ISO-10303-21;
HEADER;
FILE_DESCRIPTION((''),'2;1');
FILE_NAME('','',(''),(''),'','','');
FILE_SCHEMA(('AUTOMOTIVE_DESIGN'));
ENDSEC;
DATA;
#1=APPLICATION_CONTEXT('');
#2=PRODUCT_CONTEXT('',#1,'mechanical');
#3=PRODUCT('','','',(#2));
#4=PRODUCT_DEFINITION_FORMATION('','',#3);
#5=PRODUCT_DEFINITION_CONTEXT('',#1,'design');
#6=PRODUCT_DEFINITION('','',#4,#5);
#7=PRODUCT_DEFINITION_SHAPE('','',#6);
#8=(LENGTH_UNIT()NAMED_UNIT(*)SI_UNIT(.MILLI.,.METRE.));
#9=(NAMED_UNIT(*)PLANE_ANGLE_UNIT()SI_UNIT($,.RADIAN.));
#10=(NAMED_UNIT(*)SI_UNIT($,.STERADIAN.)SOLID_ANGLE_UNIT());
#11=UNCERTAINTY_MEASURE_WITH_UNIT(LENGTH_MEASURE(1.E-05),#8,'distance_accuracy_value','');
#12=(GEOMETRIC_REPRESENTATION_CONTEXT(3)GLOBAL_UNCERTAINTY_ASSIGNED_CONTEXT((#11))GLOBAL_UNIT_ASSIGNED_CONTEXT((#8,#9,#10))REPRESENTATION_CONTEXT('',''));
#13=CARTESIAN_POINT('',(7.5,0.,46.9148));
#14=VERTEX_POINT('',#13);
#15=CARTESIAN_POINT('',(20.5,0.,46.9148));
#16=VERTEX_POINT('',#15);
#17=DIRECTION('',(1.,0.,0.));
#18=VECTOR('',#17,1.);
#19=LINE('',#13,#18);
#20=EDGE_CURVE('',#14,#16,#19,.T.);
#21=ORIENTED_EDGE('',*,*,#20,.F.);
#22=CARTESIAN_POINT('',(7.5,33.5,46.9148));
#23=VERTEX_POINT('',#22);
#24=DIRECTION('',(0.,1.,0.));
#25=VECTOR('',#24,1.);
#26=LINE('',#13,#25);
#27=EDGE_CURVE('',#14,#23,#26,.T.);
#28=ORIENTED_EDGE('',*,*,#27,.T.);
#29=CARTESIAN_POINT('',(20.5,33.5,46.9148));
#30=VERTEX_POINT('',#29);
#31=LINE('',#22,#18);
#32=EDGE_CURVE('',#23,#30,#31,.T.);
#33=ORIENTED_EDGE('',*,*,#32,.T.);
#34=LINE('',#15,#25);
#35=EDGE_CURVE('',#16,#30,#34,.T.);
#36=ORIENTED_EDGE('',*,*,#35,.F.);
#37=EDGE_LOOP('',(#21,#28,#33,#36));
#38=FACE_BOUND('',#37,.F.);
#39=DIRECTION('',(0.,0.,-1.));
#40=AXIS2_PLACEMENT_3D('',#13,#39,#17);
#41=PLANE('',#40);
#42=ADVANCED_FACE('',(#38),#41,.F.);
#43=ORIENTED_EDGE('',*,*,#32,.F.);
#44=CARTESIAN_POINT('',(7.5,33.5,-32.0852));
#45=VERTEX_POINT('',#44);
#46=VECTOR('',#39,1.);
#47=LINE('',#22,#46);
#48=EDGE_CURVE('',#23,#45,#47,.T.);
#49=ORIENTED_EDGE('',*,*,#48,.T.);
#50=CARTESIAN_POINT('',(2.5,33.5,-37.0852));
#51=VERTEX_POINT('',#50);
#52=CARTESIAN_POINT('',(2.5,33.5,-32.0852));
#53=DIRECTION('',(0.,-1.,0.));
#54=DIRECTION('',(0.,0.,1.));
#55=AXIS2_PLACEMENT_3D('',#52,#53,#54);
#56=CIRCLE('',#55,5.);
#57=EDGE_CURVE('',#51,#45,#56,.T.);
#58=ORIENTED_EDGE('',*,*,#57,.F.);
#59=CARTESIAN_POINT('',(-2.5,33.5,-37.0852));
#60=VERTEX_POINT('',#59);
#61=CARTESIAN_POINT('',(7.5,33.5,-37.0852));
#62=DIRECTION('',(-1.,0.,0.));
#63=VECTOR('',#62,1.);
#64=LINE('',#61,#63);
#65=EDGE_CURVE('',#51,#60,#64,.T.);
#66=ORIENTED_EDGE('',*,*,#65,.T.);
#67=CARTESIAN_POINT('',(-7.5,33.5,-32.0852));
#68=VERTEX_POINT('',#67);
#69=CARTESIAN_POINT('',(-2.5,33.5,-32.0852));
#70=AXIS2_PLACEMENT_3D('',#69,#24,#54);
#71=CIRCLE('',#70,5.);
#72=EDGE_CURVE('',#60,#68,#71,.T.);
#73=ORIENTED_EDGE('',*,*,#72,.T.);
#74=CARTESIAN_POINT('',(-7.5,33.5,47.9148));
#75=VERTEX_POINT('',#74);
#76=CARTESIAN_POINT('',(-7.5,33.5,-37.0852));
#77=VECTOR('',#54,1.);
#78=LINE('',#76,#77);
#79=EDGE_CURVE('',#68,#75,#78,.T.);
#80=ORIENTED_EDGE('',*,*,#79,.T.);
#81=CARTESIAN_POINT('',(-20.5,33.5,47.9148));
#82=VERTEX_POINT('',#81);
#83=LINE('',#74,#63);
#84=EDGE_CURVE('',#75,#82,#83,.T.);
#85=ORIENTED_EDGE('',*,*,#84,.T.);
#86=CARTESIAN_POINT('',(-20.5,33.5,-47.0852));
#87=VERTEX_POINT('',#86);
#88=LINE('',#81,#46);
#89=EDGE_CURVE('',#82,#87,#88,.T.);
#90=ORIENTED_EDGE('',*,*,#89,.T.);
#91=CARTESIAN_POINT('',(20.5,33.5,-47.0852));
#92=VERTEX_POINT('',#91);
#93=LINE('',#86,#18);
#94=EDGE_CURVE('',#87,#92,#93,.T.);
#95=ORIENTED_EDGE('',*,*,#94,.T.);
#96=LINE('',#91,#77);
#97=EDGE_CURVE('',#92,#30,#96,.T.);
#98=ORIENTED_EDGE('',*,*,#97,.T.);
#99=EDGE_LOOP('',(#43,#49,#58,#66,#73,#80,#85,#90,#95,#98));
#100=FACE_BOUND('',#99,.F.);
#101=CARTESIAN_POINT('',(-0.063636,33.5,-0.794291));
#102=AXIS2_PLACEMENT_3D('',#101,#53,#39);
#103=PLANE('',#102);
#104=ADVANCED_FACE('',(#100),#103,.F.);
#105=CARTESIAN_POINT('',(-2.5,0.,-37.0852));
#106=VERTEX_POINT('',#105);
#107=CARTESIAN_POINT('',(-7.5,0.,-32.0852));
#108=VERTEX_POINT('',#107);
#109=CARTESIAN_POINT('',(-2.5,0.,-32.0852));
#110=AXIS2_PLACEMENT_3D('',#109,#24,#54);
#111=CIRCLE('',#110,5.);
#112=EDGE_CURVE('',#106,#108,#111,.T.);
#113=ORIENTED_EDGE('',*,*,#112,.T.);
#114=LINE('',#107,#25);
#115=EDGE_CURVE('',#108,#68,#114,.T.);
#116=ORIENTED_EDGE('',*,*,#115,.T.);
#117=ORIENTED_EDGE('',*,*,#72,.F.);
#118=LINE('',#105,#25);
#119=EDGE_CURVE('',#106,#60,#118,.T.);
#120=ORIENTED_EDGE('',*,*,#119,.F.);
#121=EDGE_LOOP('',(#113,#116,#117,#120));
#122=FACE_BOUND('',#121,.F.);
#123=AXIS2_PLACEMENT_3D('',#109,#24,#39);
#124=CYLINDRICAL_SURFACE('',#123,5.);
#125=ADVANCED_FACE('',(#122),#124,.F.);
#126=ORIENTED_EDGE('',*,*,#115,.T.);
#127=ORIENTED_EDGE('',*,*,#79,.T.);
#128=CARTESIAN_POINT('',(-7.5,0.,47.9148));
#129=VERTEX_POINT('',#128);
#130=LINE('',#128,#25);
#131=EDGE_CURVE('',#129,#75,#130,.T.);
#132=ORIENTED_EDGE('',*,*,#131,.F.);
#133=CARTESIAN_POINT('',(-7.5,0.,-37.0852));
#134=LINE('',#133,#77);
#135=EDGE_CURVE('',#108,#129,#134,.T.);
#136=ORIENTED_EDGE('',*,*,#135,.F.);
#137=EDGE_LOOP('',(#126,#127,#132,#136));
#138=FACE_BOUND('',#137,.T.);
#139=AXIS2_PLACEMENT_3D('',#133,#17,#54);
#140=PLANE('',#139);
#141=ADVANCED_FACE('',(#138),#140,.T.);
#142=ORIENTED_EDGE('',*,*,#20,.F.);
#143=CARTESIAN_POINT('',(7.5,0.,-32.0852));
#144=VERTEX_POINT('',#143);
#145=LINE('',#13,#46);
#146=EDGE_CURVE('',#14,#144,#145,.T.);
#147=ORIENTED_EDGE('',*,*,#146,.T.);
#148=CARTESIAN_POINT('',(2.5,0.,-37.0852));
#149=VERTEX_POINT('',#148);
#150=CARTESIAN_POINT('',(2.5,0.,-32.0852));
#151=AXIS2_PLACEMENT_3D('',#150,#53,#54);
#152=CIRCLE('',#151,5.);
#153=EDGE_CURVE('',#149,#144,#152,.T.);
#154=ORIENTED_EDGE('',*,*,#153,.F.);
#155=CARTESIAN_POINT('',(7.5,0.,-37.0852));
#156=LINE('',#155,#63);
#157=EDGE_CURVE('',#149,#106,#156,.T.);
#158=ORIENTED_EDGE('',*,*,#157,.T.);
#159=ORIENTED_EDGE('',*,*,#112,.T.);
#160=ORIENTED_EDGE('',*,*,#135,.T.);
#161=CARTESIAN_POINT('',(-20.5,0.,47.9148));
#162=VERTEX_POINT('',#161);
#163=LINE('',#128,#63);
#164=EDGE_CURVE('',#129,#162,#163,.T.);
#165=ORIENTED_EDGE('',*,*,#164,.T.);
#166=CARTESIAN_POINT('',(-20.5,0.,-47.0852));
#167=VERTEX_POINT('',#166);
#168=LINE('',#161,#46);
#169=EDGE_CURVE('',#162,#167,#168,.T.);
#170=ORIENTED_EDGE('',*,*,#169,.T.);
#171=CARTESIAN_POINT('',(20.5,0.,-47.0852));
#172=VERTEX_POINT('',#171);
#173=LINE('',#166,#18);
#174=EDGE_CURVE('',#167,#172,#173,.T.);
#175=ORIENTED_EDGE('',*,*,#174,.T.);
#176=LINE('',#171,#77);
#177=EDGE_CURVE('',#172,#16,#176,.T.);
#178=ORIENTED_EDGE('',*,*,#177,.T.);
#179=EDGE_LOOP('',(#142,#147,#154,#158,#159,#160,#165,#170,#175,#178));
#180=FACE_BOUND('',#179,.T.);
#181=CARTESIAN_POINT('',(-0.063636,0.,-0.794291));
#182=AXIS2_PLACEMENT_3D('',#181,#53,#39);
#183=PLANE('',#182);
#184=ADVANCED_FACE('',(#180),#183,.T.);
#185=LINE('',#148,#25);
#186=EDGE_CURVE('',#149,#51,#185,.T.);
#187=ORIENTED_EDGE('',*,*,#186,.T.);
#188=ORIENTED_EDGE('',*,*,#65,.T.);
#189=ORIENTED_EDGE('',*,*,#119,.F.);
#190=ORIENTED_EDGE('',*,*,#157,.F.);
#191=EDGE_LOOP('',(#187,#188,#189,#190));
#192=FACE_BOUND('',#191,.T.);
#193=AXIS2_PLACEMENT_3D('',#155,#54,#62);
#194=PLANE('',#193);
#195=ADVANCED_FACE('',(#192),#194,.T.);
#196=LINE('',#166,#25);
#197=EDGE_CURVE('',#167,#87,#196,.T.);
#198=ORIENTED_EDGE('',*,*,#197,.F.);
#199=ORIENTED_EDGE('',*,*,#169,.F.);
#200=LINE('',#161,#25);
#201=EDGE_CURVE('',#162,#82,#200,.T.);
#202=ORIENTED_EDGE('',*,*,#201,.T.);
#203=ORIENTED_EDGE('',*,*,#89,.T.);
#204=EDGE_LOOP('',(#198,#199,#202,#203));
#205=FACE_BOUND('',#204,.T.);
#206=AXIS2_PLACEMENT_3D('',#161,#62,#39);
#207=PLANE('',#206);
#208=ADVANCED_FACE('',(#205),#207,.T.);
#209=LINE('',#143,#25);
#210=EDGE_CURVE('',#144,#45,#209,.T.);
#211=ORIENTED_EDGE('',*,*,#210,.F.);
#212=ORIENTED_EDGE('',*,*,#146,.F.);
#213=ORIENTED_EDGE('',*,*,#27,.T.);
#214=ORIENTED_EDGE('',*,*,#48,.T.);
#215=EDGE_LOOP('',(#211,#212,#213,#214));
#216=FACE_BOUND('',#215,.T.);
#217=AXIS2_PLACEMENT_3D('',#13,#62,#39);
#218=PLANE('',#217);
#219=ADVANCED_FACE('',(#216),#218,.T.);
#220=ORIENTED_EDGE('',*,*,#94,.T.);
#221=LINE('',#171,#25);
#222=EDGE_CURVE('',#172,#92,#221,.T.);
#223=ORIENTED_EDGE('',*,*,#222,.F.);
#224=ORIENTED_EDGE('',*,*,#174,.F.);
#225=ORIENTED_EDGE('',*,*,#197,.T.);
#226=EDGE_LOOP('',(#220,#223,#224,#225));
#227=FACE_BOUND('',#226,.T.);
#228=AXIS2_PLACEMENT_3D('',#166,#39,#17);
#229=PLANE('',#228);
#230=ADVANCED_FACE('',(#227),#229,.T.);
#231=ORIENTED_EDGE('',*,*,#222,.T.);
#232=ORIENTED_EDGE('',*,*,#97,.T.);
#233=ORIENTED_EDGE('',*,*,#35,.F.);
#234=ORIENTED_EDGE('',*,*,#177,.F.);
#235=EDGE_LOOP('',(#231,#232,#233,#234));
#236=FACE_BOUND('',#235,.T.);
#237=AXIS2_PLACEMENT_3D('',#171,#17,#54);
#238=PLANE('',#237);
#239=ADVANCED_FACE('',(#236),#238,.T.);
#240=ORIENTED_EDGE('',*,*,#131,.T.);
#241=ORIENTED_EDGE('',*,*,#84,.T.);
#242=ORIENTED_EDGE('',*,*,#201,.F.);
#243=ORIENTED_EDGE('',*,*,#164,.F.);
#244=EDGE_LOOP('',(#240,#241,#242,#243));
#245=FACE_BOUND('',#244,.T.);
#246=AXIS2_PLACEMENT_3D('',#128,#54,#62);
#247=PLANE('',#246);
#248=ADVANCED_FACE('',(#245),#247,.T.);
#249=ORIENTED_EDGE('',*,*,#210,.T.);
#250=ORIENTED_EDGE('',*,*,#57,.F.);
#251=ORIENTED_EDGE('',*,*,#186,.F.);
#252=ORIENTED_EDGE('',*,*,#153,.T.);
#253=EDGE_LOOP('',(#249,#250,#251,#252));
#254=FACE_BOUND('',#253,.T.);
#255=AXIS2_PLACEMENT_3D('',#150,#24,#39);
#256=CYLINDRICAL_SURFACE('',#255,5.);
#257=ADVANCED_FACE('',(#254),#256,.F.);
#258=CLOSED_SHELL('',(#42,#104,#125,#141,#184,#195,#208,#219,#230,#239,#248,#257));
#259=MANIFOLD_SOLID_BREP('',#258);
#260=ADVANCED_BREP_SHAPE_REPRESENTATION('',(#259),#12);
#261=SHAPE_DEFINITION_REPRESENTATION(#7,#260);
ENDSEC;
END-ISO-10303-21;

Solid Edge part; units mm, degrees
sketch "Sketch1" plane through (0, 0, 0) normal (0, -1, 0) x (1, 0, 0)
  line L0 (7.5, -37.0852) -> (-7.5, -37.0852)
  line L1 (-7.5, -37.0852) -> (-7.5, 47.9148)
  line L2 (-7.5, 47.9148) -> (-20.5, 47.9148)
  line L3 (-20.5, 47.9148) -> (-20.5, -47.0852)
  line L4 (-20.5, -47.0852) -> (20.5, -47.0852)
  line L5 (20.5, -47.0852) -> (20.5, 46.9148)
  line L6 (7.5, 46.9148) -> (20.5, 46.9148)
  line L7 (7.5, 46.9148) -> (7.5, -37.0852)
extrude "Protrusion1" add sketch "Sketch1" against normal blind 33.5
fillet "Round1" radius 5 2 edges at (7.5, 16.75, -37.0852) (-7.5, 16.75, -37.0852)
